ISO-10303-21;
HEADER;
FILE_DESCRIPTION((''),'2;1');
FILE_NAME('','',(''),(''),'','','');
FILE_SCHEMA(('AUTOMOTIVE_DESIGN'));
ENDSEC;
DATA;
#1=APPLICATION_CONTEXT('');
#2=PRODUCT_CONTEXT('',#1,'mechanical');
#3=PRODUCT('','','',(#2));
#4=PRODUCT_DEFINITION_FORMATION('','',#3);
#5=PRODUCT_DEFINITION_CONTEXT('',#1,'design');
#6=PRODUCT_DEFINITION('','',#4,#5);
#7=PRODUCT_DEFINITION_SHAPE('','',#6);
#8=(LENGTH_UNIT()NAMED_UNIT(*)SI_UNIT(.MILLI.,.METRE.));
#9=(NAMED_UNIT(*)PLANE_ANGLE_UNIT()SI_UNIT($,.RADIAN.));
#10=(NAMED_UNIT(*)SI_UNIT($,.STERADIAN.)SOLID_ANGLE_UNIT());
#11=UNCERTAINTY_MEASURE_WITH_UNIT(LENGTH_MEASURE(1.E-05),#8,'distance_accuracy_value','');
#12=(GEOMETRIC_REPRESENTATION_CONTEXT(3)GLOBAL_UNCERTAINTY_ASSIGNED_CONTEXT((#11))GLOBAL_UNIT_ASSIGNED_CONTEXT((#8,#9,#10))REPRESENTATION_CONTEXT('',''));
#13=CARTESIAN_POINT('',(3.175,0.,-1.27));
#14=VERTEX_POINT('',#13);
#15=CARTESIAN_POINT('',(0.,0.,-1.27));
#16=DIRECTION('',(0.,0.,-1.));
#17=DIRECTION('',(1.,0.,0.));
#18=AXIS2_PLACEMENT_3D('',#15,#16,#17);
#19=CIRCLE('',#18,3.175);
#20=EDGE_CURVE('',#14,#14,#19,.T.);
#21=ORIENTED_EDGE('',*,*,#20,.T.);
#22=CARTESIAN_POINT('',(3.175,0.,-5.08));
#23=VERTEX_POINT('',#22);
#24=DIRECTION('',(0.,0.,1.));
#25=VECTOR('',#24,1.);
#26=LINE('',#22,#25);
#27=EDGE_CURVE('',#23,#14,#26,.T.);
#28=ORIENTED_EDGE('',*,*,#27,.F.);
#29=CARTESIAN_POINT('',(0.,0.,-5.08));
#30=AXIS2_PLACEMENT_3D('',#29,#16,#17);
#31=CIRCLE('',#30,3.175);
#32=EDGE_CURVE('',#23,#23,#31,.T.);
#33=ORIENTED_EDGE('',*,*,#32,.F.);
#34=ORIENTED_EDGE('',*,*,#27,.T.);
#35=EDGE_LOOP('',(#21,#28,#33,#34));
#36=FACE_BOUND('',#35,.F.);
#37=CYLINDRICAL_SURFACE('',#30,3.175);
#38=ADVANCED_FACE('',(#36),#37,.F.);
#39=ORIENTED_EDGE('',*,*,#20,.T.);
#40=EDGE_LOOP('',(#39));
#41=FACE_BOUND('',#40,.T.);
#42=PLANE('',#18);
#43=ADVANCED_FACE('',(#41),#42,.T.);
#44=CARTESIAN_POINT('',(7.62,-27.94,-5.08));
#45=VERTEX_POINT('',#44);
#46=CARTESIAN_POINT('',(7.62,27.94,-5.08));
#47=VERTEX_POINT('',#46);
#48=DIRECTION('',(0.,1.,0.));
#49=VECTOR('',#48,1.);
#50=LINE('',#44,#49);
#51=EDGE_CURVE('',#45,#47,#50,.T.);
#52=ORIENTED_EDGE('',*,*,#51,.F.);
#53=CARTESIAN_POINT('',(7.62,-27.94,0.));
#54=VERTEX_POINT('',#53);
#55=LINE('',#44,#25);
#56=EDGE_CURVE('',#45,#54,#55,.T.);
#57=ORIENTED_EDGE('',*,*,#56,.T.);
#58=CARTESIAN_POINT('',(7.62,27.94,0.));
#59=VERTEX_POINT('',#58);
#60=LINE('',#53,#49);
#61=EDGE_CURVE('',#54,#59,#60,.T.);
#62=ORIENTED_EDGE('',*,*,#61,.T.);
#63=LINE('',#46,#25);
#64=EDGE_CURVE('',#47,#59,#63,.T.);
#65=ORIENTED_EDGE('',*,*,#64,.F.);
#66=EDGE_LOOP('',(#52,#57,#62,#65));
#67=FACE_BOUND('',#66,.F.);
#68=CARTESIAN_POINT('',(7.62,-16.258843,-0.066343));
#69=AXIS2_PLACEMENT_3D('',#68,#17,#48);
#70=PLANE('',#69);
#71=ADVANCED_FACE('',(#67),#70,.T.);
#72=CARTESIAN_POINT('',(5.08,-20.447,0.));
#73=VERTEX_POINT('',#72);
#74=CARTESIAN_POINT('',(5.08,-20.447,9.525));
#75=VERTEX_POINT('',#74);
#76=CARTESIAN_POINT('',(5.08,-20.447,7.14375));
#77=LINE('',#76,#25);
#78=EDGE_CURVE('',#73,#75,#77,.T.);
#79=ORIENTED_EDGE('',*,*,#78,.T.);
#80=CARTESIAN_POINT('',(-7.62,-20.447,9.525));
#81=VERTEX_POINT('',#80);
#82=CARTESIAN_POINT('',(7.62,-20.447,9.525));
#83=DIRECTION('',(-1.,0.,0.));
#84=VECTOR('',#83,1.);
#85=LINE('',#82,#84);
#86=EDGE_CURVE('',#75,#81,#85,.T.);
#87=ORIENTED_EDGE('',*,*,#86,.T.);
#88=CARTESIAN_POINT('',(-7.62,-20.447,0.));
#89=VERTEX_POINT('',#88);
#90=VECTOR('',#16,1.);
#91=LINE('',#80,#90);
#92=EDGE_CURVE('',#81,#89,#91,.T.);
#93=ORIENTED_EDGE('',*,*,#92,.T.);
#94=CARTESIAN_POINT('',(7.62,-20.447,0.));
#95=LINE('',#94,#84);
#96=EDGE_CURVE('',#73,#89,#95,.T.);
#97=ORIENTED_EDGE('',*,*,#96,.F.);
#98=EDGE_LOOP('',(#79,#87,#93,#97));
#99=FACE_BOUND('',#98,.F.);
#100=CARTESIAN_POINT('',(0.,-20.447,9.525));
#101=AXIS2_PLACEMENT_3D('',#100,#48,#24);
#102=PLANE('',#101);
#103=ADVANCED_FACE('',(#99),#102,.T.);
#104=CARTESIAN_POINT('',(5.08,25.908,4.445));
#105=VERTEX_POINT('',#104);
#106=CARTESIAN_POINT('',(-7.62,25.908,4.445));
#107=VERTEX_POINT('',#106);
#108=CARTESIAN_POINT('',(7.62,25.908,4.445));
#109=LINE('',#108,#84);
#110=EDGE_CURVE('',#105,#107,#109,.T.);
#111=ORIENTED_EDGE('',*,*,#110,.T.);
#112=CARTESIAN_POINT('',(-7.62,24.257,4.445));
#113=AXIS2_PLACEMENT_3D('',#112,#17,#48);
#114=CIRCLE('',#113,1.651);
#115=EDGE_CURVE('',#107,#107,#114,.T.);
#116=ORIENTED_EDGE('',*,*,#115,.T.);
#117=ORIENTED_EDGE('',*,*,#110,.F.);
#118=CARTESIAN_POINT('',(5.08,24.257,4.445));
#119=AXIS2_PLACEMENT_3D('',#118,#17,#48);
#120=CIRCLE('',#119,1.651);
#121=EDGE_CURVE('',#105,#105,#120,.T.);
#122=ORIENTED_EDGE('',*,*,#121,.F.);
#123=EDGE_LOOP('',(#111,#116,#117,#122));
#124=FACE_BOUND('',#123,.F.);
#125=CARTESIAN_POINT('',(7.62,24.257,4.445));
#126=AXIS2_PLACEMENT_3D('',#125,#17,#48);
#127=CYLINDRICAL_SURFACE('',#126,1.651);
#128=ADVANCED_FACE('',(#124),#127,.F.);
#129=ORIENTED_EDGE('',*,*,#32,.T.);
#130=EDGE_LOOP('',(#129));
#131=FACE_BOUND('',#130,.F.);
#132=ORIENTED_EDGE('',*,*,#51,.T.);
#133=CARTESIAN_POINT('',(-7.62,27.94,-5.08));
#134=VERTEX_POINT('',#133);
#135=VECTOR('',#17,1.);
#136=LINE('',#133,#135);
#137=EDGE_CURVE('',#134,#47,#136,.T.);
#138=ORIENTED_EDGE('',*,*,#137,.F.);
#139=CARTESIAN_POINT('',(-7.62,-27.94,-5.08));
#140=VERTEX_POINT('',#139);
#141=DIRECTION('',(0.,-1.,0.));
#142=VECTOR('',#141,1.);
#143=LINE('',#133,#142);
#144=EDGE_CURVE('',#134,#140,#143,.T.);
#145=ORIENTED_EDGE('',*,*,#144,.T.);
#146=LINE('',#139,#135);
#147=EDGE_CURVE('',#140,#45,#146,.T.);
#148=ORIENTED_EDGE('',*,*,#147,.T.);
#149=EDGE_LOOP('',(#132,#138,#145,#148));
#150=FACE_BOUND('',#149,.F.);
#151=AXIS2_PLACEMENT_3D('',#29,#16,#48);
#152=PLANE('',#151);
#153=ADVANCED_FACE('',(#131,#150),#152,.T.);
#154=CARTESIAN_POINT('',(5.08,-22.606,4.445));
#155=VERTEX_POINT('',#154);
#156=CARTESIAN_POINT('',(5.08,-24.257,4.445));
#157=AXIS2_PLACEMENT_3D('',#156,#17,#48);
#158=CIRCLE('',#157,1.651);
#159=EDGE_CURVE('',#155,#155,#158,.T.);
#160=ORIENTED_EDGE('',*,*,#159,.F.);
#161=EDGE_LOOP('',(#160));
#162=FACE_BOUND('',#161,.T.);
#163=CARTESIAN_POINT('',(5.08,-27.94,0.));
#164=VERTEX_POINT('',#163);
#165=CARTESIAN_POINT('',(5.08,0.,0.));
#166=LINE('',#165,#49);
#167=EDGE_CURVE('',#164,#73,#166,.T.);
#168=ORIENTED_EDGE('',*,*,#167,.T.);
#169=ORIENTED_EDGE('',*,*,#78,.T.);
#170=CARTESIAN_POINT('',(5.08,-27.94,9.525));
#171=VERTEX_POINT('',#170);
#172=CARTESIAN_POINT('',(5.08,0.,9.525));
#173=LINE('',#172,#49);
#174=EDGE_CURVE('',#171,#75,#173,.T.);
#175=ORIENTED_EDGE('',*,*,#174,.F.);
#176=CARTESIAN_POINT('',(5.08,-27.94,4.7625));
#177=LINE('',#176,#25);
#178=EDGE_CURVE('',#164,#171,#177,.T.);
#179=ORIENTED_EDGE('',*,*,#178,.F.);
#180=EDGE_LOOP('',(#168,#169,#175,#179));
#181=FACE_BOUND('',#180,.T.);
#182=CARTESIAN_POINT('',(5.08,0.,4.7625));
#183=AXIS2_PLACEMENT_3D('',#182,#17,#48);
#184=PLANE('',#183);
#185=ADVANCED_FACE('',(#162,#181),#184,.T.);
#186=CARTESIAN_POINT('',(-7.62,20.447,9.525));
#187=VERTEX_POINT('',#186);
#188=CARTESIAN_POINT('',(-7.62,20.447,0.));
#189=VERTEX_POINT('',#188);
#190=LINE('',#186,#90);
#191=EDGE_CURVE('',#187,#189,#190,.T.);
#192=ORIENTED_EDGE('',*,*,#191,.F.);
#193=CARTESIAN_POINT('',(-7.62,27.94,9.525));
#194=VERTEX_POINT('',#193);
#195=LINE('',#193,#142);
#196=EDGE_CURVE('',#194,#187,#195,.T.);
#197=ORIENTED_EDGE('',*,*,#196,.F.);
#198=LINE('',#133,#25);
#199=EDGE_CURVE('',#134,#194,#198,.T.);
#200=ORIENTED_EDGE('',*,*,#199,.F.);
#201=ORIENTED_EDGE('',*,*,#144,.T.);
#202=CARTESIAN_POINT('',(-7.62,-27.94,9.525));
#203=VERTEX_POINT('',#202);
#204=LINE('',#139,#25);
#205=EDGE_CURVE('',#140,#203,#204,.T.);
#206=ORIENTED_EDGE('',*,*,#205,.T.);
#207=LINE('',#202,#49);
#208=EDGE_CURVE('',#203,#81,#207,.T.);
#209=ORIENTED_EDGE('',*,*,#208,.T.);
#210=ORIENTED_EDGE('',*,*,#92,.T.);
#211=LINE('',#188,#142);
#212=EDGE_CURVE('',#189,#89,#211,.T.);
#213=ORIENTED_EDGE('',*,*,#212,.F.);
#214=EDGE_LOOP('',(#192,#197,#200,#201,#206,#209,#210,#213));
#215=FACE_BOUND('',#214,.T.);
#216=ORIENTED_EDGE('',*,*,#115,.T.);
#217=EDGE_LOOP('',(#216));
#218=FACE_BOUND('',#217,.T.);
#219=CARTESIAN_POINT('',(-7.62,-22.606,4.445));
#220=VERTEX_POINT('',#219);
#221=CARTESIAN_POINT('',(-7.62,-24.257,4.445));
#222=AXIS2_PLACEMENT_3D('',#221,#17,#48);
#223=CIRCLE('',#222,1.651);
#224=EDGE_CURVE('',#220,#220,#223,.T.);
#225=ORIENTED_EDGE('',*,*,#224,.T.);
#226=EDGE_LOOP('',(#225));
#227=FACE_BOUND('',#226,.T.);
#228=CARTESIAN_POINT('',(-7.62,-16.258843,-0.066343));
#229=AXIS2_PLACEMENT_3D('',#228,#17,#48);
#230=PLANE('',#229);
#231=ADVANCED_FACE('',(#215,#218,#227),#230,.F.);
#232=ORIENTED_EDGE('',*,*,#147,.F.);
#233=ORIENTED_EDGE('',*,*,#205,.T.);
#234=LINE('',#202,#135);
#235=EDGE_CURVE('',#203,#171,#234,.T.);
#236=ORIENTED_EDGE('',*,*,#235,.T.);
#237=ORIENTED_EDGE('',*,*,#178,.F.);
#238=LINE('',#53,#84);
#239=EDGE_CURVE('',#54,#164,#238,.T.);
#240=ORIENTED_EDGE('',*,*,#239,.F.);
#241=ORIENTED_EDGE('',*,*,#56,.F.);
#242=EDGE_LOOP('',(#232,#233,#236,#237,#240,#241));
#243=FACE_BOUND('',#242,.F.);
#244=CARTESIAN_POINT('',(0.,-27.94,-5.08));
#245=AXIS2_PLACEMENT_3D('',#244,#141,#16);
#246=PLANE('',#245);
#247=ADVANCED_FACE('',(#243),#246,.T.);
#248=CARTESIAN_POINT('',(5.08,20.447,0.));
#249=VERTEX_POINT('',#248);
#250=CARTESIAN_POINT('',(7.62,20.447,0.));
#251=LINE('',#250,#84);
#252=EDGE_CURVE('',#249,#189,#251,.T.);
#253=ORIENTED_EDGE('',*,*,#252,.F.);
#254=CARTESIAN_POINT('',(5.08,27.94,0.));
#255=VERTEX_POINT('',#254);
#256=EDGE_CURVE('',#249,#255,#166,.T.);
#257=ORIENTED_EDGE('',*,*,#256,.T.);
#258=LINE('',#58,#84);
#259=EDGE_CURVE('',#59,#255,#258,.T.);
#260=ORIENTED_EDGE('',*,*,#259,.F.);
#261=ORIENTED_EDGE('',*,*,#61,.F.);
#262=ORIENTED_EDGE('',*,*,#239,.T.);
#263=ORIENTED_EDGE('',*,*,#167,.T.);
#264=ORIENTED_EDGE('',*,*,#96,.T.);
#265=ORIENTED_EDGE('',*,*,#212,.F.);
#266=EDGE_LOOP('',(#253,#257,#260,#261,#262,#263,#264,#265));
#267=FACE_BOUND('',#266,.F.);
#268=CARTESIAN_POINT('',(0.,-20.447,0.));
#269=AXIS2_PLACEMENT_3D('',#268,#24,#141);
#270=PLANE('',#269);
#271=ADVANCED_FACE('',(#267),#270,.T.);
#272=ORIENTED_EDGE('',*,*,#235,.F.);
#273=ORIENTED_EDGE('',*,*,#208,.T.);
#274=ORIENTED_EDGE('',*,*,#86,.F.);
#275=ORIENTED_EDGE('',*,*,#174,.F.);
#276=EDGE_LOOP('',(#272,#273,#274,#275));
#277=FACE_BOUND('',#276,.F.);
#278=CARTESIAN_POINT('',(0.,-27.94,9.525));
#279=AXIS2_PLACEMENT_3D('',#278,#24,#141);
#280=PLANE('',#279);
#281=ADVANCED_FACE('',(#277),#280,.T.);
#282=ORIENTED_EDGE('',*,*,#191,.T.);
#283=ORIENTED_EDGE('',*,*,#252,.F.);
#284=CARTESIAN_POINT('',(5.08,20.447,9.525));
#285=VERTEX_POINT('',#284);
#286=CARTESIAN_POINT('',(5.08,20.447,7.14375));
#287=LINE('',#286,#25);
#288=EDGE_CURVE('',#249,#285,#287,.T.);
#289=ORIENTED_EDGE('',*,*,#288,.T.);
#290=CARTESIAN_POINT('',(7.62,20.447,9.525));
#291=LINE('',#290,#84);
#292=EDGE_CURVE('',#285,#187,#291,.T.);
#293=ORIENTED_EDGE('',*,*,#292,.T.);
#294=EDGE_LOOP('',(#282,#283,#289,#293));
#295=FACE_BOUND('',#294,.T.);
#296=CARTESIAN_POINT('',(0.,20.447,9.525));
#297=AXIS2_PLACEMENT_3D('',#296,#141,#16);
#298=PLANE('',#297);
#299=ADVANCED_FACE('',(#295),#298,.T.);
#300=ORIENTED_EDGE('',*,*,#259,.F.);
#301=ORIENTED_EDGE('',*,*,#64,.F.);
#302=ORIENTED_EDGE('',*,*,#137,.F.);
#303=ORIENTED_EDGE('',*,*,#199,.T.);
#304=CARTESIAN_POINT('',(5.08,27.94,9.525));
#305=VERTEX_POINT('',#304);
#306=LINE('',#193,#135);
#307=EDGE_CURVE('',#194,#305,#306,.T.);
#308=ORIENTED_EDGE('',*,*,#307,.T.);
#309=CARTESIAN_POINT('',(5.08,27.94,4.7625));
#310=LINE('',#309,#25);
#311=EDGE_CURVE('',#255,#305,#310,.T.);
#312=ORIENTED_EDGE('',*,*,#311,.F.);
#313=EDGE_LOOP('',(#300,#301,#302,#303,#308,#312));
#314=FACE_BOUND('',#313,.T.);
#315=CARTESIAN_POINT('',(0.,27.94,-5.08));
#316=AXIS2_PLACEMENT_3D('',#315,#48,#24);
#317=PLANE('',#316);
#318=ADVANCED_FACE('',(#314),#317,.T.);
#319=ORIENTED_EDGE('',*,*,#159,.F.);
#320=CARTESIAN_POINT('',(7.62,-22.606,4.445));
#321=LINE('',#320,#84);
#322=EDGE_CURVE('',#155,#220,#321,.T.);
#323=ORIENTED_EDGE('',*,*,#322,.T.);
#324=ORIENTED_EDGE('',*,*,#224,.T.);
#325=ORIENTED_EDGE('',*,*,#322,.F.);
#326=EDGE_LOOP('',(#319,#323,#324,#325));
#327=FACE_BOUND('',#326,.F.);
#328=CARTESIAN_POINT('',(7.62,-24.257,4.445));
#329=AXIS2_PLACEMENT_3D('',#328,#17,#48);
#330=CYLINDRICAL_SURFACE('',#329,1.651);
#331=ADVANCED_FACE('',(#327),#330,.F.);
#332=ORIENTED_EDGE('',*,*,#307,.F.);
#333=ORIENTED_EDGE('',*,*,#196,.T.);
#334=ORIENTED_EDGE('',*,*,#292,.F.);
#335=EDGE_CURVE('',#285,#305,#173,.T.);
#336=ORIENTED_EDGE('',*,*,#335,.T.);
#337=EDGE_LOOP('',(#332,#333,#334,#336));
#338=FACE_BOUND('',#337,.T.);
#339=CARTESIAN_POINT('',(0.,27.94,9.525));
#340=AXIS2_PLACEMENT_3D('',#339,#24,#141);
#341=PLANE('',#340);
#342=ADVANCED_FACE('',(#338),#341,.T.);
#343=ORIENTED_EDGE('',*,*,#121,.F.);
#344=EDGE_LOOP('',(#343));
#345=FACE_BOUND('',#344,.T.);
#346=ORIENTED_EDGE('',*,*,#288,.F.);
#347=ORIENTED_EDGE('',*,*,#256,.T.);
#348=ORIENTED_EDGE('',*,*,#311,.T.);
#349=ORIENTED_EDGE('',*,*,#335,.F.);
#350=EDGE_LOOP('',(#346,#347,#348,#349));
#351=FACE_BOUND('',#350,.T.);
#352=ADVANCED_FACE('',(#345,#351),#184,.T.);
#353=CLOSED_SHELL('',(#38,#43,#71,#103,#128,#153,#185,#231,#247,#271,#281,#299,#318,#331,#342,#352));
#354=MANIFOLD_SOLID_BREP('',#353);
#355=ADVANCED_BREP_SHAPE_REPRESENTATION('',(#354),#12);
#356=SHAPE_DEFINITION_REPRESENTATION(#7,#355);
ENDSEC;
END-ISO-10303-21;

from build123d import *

# Parameters (mm, degrees)
F1_DEPTH = 7.62
F3_R     = 1.651
F4_DEPTH = 25.4
F5_R     = 3.175
F6_DEPTH = 3.81
F7_W     = 55.88
F7_H     = 9.525
F8_DEPTH = 2.54


with BuildPart() as f1:
    # F0 (on Right) → F1 (new body, symmetric)
    with BuildSketch(Plane.YZ):
        Polygon((0, 0), (0, -5.08), (27.94, -5.08), (27.94, 9.525), (20.447, 9.525), (20.447, 0), align=None)
    extrude(amount=F1_DEPTH, both=True)

    # F2: F1 across plane


with BuildPart() as f1_1:
    add(f1.part)
    add(f1.part.mirror(Plane.XZ))

    # F3 (on face) → F4 (cut)
    with BuildSketch(Plane.YZ.offset(7.62)):
        with Locations((-24.257, 4.445)):
            Circle(F3_R)
        with Locations((24.257, 4.445)):
            Circle(F3_R)
    extrude(amount=-F4_DEPTH, mode=Mode.SUBTRACT)

    # F5 (on face) → F6 (cut)
    with BuildSketch(Plane(origin=(0, 0, -5.08), x_dir=(1, 0, 0), z_dir=(0, 0, -1))):
        Circle(F5_R)
    extrude(amount=-F6_DEPTH, mode=Mode.SUBTRACT)

    # F7 (on face) → F8 (cut)
    with BuildSketch(Plane.YZ.offset(7.62)):
        with Locations((0, 4.7625)):
            Rectangle(F7_W, F7_H)
    extrude(amount=-F8_DEPTH, mode=Mode.SUBTRACT)


solid = f1_1.part
